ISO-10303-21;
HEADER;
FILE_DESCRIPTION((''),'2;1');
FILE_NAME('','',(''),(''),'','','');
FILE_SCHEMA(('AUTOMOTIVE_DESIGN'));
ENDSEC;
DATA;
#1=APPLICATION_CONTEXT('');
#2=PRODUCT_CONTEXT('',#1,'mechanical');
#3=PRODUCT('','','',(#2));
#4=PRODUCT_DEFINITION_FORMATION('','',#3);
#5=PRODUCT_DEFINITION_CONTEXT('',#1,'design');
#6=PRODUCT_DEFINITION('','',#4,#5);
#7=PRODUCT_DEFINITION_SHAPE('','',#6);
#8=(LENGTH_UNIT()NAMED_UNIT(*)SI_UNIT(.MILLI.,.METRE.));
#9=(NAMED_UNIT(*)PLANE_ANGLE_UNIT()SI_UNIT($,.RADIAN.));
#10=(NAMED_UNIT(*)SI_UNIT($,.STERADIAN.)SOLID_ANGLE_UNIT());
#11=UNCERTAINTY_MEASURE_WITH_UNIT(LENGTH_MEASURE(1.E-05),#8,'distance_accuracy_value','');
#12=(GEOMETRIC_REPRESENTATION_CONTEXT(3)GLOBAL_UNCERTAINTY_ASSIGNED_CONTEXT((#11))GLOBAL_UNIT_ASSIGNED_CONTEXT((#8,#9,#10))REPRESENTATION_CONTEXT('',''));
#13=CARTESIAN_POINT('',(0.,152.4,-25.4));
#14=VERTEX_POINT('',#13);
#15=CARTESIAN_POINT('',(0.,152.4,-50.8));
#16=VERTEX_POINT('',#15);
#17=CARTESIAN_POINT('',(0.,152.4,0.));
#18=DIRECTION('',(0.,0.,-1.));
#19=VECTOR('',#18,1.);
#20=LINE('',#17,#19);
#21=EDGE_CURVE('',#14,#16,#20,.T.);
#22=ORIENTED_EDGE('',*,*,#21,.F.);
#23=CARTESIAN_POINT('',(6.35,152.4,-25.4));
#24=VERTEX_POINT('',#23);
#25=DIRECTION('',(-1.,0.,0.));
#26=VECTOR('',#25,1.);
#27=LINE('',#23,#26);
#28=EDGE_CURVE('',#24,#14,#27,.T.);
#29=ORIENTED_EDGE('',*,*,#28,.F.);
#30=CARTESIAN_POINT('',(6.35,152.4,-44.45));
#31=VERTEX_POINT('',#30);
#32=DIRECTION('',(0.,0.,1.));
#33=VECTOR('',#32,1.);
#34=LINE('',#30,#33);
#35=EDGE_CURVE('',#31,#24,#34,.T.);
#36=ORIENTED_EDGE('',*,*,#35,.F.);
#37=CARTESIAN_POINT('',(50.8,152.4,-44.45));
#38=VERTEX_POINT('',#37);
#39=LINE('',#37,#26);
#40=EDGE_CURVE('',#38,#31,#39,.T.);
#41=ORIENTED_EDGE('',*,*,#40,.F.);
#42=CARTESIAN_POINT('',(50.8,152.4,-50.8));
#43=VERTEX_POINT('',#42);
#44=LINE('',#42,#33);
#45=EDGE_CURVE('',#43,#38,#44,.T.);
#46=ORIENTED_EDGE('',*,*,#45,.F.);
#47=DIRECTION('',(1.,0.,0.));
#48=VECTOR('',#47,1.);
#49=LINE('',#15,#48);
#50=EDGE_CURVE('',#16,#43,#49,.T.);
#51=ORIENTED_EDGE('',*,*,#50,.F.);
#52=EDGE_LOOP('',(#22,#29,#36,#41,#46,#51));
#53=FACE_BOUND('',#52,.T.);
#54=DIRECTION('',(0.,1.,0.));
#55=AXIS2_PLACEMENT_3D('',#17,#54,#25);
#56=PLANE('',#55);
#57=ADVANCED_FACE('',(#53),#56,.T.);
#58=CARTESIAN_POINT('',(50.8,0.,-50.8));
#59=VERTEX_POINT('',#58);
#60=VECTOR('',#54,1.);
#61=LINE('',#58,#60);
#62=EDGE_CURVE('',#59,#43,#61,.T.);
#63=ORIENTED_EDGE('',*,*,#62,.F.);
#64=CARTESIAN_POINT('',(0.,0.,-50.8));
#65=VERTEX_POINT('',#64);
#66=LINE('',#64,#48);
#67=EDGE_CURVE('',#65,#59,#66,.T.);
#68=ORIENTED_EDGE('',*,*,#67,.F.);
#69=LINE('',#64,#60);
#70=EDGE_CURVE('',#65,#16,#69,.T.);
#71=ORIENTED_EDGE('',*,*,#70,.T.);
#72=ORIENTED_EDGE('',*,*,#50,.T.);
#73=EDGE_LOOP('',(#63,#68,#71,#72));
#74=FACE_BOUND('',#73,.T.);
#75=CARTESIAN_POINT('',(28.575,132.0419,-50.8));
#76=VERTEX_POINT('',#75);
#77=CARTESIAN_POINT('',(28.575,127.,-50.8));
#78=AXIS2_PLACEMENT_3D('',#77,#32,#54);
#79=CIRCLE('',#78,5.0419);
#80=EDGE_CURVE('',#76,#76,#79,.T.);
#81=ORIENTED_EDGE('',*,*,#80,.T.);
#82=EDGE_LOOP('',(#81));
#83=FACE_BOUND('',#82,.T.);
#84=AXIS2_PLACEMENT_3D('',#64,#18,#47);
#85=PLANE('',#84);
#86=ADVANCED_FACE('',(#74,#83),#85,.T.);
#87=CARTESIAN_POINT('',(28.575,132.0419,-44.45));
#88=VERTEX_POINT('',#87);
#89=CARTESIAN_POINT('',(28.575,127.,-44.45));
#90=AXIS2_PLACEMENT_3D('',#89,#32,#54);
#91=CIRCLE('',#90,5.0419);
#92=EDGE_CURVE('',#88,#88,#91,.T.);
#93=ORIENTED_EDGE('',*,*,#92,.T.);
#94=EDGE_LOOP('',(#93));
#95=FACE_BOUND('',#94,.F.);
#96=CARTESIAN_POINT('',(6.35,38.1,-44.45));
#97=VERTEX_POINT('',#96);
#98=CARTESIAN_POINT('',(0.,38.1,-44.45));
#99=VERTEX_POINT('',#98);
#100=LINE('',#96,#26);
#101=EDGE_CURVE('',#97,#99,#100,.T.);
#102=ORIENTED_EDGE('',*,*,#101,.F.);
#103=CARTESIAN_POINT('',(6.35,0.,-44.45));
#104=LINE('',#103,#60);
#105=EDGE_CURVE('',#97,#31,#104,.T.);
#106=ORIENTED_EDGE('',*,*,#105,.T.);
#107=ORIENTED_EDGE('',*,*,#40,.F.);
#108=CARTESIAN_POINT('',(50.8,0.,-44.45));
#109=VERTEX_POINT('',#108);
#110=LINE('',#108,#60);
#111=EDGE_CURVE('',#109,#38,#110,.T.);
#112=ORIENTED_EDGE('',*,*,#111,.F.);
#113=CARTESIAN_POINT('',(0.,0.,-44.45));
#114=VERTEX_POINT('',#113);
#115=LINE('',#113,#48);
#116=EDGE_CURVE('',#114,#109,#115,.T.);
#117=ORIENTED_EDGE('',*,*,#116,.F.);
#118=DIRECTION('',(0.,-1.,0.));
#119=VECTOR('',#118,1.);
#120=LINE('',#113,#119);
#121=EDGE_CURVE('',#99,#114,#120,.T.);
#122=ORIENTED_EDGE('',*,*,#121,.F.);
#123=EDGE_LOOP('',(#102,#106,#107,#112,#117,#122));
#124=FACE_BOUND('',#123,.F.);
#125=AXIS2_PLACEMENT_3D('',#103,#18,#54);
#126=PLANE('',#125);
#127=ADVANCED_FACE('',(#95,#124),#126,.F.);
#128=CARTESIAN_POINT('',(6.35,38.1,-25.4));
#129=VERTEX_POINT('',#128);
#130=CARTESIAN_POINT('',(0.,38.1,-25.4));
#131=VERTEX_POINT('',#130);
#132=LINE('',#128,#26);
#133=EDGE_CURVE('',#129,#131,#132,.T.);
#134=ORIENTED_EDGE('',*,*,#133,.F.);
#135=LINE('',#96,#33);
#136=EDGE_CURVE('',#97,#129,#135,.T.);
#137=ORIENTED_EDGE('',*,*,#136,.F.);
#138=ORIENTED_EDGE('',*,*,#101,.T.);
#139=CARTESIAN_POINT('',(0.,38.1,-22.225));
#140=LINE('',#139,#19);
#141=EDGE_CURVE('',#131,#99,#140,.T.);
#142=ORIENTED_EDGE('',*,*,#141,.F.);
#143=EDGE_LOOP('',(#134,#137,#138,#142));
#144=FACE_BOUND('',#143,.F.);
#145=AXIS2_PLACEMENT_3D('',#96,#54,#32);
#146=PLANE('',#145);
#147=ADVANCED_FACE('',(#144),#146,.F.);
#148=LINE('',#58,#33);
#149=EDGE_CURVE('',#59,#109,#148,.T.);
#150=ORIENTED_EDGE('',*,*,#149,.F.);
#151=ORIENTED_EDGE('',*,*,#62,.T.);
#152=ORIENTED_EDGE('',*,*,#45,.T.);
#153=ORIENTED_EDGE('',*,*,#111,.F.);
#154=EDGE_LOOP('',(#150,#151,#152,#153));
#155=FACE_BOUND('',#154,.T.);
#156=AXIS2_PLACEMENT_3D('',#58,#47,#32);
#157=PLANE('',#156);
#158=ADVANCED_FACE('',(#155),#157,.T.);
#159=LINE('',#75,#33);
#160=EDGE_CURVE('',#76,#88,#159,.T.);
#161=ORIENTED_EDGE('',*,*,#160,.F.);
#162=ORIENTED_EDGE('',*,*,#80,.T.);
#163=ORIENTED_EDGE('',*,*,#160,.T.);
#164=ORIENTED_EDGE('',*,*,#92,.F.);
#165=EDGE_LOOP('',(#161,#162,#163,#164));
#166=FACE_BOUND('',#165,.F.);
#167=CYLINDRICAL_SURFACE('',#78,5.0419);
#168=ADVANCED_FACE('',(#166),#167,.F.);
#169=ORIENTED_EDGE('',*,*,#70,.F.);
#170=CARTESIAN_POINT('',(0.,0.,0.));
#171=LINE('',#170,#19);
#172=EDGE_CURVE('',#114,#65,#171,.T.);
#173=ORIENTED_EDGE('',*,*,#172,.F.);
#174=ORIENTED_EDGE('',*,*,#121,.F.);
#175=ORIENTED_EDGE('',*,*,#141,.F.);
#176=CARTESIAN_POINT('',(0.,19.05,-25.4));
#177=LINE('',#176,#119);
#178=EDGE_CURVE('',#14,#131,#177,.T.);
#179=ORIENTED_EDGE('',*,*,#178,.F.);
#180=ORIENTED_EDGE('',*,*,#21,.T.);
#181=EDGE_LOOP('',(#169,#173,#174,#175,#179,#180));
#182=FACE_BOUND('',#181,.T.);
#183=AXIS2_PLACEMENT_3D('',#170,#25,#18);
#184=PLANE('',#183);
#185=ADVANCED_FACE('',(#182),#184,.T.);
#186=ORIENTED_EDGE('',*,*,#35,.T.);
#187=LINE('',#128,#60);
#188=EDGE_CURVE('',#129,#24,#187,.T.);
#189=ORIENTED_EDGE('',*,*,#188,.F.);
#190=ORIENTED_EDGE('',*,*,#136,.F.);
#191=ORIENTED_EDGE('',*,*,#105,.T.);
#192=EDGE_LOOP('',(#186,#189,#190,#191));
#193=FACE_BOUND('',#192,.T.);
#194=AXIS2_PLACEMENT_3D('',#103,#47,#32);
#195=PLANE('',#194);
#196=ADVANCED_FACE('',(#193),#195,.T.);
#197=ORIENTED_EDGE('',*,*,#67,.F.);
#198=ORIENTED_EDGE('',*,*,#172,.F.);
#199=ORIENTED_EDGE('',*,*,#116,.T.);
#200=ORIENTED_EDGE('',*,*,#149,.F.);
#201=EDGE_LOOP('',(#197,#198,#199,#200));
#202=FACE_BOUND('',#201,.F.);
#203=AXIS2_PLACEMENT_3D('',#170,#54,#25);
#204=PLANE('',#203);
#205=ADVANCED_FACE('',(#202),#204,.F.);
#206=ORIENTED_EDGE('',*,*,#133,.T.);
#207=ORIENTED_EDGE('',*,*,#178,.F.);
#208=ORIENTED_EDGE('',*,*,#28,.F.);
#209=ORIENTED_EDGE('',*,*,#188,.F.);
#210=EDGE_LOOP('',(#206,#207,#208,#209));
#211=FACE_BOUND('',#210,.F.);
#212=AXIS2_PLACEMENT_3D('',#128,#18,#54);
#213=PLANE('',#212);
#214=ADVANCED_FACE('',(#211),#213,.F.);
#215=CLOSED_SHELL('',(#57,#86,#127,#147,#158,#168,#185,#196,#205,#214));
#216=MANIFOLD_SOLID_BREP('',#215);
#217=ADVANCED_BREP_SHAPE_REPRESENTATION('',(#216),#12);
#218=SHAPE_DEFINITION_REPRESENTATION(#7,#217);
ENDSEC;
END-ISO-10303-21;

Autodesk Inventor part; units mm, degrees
ref_plane "YZ Plane" through (0, 0, 0) normal (1, 0, 0) x (0, 1, 0)
ref_plane "XZ Plane" through (0, 0, 0) normal (0, 1, 0) x (-1, 0, 0)
ref_plane "XY Plane" through (0, 0, 0) normal (0, 0, 1) x (1, 0, 0)
sketch "Sketch1" plane through (0, 0, 0) normal (0, 1, 0) x (-1, 0, 0)
  line L0 (0, 0) -> (0, -50.8)
  line L1 (0, -50.8) -> (-50.8, -50.8)
  line L2 (-50.8, -50.8) -> (-50.8, -44.45)
  line L3 (-50.8, -44.45) -> (-6.35, -44.45)
  line L4 (-6.35, -44.45) -> (-6.35, 0)
  line L5 (-6.35, 0) -> (0, 0)
  dimension "d0" = 6.35
  dimension "d1" = 50.8
extrude "Extrusion1" add sketch "Sketch1" along normal blind 152.4
sketch "Sketch2" plane through (0, 0, -50.8) normal (-1, 0, 0) x (0, 0, 1)
  point P0 (50.8, 0)
sketch "Sketch3" plane through (6.35, 0, 0) normal (1, 0, 0) x (0, 0, -1)
  line L0 (0, 0) -> (50.8, 0) projected
  line L1 (44.45, 0) -> (44.45, 152.4) projected
  line L2 (0, 0) -> (44.45, 0)
  line L3 (44.45, 0) -> (44.45, 38.1)
  line L4 (44.45, 38.1) -> (0, 38.1)
  line L5 (0, 38.1) -> (0, 0)
  dimension "d5" = 38.1
extrude "Extrusion2" cut sketch "Sketch3" against normal through all
sketch "Sketch4" plane through (6.35, 152.4, 0) normal (1, 0, 0) x (0, 0, -1)
  line L0 (0, -114.3) -> (0, 0) projected
  line L1 (50.8, 0) -> (0, 0) projected
  line L2 (0, -114.3) -> (25.4, -114.3)
  line L3 (25.4, -114.3) -> (25.4, 0)
  line L4 (25.4, 0) -> (0, 0)
  line L5 (0, 0) -> (0, -114.3)
  point P0 (0, -152.4)
  dimension "d8" = 25.4
extrude "Extrusion3" cut sketch "Sketch4" against normal through all
sketch "Sketch6" plane through (50.8, 0, -50.8) normal (0, 0, -1) x (-1, 0, 0)
  line L0 (0, 152.4) -> (50.8, 152.4) projected
  line L1 (0, 0) -> (0, 152.4) projected
  point P0 (50.8, 0)
  point P1 (22.225, 127)
  dimension "d11" = 25.4
  dimension "d12" = 22.225
hole "Hole1" at (28.575, 127, -50.8) direction (0, 0, 1) diameter 10.0838 end through all clearance for "Flat Head Machine Screw (82)" size "3/8" standard "Ansi Unified Screw Threads"
properties part number "LiftAngleBracketExtensionLeft" material "Aluminum 6061"
